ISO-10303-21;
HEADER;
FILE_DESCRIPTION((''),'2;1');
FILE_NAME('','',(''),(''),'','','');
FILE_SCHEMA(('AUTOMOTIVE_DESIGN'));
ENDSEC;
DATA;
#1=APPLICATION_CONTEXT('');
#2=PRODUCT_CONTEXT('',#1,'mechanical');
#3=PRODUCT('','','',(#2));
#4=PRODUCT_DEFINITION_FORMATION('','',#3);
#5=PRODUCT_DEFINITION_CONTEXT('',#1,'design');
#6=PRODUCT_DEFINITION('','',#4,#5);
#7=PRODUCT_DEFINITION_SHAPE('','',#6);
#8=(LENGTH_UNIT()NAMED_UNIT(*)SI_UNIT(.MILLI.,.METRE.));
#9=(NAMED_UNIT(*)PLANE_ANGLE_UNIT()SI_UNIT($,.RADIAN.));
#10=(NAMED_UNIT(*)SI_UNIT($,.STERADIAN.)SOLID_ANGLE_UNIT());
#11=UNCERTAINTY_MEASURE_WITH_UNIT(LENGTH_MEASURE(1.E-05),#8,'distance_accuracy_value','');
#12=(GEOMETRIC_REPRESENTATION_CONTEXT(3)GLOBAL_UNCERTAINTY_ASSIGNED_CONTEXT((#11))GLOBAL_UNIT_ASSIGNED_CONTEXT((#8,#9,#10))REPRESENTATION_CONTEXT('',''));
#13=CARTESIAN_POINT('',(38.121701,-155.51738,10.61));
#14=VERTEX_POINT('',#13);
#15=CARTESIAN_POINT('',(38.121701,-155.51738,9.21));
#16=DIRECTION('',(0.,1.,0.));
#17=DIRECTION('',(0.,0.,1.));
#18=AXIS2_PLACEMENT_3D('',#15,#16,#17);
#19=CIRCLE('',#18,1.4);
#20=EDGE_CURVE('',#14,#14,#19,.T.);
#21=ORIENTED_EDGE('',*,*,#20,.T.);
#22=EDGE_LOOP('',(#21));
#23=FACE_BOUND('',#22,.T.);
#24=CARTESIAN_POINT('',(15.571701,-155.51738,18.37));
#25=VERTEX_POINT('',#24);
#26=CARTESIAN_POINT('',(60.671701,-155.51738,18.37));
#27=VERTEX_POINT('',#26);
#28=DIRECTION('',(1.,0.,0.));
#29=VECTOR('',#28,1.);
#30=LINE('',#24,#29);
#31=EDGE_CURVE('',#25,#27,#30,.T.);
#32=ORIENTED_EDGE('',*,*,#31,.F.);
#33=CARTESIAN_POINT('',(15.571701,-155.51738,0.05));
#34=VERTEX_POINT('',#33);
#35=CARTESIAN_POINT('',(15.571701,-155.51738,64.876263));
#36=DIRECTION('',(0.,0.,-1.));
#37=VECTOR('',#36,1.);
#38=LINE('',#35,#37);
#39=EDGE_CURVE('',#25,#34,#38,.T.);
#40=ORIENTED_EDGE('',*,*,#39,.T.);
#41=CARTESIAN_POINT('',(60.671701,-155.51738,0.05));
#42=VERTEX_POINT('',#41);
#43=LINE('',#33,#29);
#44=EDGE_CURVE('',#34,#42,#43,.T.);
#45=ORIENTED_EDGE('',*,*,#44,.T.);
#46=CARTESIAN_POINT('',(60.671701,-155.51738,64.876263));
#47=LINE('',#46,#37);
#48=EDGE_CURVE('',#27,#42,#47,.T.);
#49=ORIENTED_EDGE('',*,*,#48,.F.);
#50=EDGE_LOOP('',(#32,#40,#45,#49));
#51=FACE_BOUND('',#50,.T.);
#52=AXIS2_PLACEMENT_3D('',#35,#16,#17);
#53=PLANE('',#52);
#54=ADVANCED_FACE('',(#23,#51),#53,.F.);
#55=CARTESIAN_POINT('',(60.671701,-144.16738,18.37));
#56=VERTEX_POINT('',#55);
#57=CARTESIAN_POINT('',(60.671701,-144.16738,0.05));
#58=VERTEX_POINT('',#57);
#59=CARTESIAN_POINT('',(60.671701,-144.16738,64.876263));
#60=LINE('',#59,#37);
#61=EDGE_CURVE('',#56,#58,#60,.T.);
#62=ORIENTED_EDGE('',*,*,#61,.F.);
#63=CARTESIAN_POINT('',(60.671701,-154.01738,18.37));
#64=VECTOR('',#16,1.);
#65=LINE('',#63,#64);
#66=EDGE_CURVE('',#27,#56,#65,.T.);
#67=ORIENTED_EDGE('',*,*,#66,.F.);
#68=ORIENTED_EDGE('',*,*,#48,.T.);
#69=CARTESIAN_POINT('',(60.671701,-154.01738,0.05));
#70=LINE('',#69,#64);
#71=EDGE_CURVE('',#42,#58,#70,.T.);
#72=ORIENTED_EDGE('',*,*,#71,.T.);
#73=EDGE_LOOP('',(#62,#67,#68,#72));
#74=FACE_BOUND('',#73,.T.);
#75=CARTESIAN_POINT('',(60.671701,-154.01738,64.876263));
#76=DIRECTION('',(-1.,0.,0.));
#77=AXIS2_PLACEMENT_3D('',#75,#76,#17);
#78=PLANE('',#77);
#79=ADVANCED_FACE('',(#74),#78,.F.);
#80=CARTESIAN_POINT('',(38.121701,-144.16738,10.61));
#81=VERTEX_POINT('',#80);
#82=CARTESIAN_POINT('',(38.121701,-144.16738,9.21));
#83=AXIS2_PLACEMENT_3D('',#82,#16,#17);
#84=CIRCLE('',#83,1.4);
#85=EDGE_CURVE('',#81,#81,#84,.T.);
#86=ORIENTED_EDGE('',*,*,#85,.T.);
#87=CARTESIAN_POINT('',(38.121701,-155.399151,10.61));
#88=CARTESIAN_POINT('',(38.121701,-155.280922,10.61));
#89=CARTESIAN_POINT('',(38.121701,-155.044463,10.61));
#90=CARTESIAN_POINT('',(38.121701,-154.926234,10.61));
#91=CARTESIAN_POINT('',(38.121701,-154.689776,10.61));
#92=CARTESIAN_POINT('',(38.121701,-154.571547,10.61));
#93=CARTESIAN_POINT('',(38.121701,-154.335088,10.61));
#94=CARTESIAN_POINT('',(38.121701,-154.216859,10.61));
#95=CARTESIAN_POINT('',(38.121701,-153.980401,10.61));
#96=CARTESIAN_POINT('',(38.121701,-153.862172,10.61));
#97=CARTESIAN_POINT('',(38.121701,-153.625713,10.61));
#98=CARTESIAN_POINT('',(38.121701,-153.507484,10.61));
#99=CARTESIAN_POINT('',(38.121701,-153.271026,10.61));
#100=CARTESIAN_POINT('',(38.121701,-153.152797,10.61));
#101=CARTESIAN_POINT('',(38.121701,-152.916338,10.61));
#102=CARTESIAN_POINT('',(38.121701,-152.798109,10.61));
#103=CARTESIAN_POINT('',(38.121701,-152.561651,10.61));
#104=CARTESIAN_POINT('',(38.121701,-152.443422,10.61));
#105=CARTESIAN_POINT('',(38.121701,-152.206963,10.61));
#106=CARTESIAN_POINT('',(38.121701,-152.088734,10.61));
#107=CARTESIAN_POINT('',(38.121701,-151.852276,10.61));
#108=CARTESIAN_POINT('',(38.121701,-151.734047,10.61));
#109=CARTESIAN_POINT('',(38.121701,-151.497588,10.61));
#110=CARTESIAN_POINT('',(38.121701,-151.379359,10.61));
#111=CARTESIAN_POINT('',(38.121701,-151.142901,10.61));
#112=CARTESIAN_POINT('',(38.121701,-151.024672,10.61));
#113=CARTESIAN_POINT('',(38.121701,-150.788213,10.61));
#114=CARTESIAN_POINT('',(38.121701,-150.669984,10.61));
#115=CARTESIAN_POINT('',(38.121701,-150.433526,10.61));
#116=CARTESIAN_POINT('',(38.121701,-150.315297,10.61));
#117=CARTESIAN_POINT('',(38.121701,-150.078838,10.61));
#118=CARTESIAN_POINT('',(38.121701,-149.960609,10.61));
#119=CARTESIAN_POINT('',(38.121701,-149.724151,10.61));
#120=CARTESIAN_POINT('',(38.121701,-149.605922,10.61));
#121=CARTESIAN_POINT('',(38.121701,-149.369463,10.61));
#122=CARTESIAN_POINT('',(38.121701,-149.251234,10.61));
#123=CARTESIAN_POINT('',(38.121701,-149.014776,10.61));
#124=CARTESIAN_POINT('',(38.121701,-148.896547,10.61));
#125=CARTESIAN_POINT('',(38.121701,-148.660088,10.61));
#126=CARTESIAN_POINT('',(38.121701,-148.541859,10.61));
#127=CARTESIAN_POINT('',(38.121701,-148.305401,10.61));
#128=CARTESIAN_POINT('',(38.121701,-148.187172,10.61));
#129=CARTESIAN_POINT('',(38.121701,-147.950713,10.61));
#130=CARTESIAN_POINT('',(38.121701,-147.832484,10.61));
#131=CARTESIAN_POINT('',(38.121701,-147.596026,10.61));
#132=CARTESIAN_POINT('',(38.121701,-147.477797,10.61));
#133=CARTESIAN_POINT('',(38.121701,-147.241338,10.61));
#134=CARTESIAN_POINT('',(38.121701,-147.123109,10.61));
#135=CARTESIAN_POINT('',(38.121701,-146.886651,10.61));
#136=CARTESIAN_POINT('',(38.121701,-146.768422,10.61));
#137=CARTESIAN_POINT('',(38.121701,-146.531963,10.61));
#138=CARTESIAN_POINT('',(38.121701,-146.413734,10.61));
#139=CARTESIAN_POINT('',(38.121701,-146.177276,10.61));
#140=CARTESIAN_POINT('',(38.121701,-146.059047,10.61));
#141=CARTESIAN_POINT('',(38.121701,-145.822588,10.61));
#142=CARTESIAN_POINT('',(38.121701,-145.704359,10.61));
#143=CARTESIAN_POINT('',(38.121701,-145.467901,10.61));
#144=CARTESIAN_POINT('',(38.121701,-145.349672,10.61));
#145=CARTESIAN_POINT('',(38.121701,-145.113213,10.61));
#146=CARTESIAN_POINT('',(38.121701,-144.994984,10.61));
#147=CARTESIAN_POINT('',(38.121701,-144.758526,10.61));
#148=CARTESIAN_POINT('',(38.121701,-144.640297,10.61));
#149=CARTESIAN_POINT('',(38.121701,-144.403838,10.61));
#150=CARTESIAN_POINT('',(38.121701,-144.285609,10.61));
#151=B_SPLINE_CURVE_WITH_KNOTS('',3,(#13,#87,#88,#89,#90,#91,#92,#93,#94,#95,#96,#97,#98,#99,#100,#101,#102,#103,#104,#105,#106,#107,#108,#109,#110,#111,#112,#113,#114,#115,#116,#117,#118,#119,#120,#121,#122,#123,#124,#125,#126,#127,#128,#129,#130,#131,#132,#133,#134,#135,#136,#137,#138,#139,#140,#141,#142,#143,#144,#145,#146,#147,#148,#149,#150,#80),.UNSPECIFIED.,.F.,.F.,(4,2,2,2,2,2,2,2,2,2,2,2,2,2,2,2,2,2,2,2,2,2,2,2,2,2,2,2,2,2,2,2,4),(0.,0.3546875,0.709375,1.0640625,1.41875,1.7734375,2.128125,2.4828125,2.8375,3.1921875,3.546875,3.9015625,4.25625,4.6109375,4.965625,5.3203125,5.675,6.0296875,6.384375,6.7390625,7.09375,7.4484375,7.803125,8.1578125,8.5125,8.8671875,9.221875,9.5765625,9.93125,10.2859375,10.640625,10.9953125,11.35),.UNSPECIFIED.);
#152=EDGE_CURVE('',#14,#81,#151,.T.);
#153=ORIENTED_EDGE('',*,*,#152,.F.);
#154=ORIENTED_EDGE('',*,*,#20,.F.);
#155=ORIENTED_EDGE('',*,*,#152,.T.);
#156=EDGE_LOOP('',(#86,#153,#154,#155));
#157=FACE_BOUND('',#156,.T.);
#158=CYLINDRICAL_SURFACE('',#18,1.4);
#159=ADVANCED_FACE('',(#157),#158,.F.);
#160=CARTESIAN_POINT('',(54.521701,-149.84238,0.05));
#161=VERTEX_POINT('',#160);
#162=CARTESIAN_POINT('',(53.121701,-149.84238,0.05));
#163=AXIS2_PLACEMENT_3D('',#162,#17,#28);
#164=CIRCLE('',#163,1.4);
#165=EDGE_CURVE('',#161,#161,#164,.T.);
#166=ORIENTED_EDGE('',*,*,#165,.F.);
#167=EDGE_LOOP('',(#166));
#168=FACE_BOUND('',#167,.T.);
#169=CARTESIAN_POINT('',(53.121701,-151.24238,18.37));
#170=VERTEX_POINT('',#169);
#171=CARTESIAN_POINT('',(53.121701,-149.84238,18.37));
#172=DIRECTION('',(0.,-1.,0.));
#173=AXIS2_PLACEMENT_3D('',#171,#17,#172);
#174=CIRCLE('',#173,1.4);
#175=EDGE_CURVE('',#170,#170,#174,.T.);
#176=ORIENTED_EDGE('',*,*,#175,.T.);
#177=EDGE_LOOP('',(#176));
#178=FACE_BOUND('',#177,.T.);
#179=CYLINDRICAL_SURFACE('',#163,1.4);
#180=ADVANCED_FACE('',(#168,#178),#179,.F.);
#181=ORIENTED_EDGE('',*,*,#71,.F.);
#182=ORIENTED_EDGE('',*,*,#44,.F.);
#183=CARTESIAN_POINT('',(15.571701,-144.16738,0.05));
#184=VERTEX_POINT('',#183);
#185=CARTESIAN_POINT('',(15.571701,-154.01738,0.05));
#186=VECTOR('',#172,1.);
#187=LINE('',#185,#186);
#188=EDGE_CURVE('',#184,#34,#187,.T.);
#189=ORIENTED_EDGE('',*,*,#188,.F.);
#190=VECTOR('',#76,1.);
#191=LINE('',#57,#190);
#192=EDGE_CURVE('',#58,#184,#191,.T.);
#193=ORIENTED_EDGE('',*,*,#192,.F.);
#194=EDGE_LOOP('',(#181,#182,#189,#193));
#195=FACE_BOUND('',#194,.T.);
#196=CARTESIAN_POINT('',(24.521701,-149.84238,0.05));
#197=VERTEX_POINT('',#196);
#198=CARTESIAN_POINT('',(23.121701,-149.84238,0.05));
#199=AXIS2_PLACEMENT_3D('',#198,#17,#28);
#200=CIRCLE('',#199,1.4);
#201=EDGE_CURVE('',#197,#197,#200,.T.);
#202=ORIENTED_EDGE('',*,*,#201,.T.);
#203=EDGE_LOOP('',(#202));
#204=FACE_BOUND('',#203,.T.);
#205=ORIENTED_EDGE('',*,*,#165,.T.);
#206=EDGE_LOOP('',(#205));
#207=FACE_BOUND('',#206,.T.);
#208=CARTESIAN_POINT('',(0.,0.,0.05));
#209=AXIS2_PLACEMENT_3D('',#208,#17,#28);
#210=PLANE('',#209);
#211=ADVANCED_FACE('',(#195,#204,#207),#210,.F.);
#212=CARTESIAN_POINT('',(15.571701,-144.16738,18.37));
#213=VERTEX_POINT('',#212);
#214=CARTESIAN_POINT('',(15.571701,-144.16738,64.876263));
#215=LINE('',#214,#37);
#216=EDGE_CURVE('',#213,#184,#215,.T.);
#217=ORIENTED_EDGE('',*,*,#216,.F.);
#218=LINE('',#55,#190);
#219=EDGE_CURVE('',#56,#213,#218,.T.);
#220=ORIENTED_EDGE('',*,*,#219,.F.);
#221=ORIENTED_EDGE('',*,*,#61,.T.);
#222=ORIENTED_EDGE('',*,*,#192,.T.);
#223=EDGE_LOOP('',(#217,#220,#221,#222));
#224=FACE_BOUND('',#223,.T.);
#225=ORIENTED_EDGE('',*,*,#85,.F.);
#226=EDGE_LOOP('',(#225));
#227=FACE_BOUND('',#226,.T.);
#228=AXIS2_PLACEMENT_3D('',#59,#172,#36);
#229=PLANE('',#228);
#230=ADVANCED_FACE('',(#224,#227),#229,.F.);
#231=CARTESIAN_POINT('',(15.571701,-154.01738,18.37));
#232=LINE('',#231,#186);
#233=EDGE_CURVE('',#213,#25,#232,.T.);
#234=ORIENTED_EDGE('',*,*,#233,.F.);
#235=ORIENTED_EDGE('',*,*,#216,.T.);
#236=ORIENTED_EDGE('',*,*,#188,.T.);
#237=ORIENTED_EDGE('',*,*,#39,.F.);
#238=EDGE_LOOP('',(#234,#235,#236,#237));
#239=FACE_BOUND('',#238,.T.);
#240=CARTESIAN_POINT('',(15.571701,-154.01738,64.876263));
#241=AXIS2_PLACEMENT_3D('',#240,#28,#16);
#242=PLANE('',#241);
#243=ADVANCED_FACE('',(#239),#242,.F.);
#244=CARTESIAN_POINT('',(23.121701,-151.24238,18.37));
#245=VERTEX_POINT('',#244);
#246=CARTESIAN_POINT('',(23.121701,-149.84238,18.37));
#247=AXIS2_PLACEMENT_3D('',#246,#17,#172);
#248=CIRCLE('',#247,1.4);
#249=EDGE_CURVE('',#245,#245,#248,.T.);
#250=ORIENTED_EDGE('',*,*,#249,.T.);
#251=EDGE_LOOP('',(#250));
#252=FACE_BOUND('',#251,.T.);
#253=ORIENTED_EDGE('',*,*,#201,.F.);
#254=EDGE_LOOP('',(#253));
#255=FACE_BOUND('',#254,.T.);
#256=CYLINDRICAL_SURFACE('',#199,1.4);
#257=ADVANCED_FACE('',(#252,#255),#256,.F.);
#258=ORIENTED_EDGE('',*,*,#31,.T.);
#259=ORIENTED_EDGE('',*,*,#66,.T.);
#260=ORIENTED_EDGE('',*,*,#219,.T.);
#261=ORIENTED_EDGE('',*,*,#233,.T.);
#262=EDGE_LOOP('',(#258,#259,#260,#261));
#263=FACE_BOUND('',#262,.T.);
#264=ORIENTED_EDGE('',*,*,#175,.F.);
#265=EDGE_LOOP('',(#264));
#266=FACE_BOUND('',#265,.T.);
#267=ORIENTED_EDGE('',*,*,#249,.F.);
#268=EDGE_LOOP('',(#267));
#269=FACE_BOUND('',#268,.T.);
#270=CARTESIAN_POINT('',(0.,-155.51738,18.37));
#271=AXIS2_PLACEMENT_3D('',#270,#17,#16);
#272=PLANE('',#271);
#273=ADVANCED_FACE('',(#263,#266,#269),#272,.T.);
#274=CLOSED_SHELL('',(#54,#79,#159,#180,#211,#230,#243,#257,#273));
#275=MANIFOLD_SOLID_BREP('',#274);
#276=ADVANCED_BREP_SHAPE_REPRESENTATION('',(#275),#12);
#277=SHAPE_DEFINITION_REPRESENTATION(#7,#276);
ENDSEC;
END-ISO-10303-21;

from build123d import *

# Parameters (mm, degrees)
BOSS_EXTRUDE1_START     = 0.05
BOSS_EXTRUDE1_DEPTH     = 18.32
CUT_EXTRUDE1_DEPTH      = 168.935502816
CUT_EXTRUDE1_DEPTH_BACK = 168.935502816
SKETCH2_R               = 1.4
SKETCH3_R               = 1.4
CUT_EXTRUDE2_DEPTH      = 65.399803221


with BuildPart() as part:
    # Sketch1 → Boss-Extrude1 (new body)
    with BuildSketch(Plane.XY.offset(BOSS_EXTRUDE1_START)):
        Polygon((60.67170061, -154.017379901), (60.67170061, -144.167379901), (15.57170061, -144.167379901), (15.57170061, -154.017379901), (15.57170061, -155.517379901), (60.67170061, -155.517379901), align=None)
    extrude(amount=BOSS_EXTRUDE1_DEPTH)

    # Sketch2 → Cut-Extrude1 (cut, two sides: drawn at the far end of the back side and taken through both)
    with BuildSketch(Plane.XY.offset(18.37).offset(-CUT_EXTRUDE1_DEPTH_BACK)):
        with Locations((23.12170061, -149.842379901)):
            Circle(SKETCH2_R)
        with Locations((53.12170061, -149.842379901)):
            Circle(SKETCH2_R)
    extrude(amount=CUT_EXTRUDE1_DEPTH + CUT_EXTRUDE1_DEPTH_BACK, mode=Mode.SUBTRACT)

    # Sketch3 → Cut-Extrude2 (cut, through all)
    with BuildSketch(Plane(origin=(0, -144.167379901, 0), x_dir=(1, 0, 0), z_dir=(0, 1, 0))):
        with Locations(Location((38.12170061, -9.21, 0), (0, 0, 270))):
            Circle(SKETCH3_R)
    extrude(amount=-CUT_EXTRUDE2_DEPTH, mode=Mode.SUBTRACT)


solid = part.part
